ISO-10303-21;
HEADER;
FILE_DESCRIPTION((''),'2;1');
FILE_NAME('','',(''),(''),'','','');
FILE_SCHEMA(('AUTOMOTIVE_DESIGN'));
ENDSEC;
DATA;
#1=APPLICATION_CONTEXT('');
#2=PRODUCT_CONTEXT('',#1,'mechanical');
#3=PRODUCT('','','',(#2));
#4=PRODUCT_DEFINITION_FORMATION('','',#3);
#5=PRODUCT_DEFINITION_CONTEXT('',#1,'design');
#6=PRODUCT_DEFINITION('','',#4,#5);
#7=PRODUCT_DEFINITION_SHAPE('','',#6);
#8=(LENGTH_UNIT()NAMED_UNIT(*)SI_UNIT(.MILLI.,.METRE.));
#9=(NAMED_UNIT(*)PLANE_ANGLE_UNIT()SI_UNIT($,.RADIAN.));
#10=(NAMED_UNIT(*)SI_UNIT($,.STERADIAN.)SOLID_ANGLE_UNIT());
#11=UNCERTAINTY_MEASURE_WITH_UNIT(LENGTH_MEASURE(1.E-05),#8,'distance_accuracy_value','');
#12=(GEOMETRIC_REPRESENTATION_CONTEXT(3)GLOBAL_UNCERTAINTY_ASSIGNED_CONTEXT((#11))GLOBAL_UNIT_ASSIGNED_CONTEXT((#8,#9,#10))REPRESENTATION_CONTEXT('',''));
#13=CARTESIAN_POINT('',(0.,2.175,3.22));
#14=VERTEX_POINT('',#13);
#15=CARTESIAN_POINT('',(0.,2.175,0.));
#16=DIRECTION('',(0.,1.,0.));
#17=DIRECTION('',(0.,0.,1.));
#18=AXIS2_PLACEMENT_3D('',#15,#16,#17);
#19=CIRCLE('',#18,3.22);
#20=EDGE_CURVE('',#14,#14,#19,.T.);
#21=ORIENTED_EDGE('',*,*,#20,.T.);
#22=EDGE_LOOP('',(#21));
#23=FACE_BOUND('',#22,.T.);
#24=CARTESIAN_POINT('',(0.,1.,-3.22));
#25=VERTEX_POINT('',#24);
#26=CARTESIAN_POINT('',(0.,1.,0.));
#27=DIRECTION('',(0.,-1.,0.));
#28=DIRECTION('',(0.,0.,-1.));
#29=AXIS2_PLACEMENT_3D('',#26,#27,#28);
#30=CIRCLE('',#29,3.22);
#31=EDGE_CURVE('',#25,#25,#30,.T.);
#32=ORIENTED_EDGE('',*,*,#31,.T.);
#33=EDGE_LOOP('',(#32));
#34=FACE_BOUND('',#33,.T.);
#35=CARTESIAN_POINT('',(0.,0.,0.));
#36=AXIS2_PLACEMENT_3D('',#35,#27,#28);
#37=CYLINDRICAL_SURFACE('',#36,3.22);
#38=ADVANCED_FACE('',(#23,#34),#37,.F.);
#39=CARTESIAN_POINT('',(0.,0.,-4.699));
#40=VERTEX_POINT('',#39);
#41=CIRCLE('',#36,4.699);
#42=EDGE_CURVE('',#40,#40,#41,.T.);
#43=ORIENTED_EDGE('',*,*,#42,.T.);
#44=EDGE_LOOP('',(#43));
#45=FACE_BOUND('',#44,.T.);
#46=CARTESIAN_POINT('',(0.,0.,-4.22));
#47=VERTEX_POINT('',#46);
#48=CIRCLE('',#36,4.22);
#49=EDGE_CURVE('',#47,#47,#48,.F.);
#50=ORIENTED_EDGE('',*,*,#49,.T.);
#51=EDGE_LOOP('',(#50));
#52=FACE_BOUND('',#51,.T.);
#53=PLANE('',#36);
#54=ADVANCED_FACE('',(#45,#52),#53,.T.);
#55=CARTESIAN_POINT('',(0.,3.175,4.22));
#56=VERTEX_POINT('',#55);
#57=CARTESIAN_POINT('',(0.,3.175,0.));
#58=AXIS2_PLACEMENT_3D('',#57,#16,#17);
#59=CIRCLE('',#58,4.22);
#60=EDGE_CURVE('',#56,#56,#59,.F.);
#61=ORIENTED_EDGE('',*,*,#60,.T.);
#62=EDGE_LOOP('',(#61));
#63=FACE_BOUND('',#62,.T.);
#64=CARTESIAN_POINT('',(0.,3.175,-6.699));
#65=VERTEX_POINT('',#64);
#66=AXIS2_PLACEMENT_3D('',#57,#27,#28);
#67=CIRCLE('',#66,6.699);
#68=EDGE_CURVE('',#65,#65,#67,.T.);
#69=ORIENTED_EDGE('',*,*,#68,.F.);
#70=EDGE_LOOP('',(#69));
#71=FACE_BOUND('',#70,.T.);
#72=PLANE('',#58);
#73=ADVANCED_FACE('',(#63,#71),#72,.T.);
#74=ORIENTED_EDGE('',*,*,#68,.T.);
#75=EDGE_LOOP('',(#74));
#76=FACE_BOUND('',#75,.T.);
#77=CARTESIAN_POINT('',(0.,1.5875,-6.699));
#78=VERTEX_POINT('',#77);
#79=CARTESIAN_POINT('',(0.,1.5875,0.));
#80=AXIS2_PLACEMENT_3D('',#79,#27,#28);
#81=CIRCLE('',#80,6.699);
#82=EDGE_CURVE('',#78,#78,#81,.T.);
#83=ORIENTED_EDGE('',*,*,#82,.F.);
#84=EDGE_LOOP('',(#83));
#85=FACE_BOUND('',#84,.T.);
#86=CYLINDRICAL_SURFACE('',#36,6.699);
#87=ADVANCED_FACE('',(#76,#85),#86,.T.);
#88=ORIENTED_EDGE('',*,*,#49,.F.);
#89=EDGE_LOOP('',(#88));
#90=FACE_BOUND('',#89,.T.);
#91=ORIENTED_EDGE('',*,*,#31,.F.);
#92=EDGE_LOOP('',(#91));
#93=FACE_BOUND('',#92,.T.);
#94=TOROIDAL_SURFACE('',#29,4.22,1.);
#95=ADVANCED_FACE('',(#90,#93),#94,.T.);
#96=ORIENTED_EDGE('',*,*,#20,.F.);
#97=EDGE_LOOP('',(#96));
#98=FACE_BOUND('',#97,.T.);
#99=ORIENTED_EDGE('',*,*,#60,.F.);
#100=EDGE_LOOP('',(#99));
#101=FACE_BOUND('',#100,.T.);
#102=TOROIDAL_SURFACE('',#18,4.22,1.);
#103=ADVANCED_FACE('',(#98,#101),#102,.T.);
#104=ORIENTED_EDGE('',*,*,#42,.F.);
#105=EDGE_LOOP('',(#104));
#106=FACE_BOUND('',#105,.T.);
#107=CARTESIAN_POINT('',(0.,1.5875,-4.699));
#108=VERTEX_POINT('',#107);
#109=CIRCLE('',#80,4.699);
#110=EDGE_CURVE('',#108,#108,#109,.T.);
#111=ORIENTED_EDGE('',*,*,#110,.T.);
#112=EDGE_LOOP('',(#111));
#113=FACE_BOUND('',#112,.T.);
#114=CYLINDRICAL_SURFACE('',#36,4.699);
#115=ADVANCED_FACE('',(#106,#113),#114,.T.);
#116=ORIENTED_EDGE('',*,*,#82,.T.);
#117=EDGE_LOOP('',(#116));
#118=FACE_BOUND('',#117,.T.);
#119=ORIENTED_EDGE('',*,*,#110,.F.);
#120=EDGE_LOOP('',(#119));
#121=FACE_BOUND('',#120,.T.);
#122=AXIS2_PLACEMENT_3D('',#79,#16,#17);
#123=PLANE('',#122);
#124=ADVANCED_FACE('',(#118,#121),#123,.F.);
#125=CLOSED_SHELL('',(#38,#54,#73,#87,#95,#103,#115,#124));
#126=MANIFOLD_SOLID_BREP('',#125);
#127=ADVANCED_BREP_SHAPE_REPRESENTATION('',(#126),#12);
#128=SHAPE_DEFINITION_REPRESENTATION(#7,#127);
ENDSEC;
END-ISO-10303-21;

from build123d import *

# Parameters (mm, degrees)
FILLET1_R = 1


with BuildPart() as part:
    # Sketch2 → Revolve1 (revolve)
    with BuildSketch(Plane.XY, mode=Mode.PRIVATE) as revolve1_sk:
        Polygon((-6.699, 3.175), (-6.699, 1.5875), (-4.699, 1.5875), (-4.699, 0), (-3.22, 0), (-3.22, 3.175), align=None)
    revolve(revolve1_sk.sketch.rotate(Axis((0, 0, 0), (0, 1, 0)), 270), axis=Axis((0, 0, 0), (0, 1, 0)))

    # Fillet1
    fillet1_edges = [part.edges().sort_by_distance(p)[0] for p in [
        (0, 3.175, 3.22),
        (0, 0, 3.22),
    ]]
    fillet(fillet1_edges, radius=FILLET1_R)


solid = part.part
